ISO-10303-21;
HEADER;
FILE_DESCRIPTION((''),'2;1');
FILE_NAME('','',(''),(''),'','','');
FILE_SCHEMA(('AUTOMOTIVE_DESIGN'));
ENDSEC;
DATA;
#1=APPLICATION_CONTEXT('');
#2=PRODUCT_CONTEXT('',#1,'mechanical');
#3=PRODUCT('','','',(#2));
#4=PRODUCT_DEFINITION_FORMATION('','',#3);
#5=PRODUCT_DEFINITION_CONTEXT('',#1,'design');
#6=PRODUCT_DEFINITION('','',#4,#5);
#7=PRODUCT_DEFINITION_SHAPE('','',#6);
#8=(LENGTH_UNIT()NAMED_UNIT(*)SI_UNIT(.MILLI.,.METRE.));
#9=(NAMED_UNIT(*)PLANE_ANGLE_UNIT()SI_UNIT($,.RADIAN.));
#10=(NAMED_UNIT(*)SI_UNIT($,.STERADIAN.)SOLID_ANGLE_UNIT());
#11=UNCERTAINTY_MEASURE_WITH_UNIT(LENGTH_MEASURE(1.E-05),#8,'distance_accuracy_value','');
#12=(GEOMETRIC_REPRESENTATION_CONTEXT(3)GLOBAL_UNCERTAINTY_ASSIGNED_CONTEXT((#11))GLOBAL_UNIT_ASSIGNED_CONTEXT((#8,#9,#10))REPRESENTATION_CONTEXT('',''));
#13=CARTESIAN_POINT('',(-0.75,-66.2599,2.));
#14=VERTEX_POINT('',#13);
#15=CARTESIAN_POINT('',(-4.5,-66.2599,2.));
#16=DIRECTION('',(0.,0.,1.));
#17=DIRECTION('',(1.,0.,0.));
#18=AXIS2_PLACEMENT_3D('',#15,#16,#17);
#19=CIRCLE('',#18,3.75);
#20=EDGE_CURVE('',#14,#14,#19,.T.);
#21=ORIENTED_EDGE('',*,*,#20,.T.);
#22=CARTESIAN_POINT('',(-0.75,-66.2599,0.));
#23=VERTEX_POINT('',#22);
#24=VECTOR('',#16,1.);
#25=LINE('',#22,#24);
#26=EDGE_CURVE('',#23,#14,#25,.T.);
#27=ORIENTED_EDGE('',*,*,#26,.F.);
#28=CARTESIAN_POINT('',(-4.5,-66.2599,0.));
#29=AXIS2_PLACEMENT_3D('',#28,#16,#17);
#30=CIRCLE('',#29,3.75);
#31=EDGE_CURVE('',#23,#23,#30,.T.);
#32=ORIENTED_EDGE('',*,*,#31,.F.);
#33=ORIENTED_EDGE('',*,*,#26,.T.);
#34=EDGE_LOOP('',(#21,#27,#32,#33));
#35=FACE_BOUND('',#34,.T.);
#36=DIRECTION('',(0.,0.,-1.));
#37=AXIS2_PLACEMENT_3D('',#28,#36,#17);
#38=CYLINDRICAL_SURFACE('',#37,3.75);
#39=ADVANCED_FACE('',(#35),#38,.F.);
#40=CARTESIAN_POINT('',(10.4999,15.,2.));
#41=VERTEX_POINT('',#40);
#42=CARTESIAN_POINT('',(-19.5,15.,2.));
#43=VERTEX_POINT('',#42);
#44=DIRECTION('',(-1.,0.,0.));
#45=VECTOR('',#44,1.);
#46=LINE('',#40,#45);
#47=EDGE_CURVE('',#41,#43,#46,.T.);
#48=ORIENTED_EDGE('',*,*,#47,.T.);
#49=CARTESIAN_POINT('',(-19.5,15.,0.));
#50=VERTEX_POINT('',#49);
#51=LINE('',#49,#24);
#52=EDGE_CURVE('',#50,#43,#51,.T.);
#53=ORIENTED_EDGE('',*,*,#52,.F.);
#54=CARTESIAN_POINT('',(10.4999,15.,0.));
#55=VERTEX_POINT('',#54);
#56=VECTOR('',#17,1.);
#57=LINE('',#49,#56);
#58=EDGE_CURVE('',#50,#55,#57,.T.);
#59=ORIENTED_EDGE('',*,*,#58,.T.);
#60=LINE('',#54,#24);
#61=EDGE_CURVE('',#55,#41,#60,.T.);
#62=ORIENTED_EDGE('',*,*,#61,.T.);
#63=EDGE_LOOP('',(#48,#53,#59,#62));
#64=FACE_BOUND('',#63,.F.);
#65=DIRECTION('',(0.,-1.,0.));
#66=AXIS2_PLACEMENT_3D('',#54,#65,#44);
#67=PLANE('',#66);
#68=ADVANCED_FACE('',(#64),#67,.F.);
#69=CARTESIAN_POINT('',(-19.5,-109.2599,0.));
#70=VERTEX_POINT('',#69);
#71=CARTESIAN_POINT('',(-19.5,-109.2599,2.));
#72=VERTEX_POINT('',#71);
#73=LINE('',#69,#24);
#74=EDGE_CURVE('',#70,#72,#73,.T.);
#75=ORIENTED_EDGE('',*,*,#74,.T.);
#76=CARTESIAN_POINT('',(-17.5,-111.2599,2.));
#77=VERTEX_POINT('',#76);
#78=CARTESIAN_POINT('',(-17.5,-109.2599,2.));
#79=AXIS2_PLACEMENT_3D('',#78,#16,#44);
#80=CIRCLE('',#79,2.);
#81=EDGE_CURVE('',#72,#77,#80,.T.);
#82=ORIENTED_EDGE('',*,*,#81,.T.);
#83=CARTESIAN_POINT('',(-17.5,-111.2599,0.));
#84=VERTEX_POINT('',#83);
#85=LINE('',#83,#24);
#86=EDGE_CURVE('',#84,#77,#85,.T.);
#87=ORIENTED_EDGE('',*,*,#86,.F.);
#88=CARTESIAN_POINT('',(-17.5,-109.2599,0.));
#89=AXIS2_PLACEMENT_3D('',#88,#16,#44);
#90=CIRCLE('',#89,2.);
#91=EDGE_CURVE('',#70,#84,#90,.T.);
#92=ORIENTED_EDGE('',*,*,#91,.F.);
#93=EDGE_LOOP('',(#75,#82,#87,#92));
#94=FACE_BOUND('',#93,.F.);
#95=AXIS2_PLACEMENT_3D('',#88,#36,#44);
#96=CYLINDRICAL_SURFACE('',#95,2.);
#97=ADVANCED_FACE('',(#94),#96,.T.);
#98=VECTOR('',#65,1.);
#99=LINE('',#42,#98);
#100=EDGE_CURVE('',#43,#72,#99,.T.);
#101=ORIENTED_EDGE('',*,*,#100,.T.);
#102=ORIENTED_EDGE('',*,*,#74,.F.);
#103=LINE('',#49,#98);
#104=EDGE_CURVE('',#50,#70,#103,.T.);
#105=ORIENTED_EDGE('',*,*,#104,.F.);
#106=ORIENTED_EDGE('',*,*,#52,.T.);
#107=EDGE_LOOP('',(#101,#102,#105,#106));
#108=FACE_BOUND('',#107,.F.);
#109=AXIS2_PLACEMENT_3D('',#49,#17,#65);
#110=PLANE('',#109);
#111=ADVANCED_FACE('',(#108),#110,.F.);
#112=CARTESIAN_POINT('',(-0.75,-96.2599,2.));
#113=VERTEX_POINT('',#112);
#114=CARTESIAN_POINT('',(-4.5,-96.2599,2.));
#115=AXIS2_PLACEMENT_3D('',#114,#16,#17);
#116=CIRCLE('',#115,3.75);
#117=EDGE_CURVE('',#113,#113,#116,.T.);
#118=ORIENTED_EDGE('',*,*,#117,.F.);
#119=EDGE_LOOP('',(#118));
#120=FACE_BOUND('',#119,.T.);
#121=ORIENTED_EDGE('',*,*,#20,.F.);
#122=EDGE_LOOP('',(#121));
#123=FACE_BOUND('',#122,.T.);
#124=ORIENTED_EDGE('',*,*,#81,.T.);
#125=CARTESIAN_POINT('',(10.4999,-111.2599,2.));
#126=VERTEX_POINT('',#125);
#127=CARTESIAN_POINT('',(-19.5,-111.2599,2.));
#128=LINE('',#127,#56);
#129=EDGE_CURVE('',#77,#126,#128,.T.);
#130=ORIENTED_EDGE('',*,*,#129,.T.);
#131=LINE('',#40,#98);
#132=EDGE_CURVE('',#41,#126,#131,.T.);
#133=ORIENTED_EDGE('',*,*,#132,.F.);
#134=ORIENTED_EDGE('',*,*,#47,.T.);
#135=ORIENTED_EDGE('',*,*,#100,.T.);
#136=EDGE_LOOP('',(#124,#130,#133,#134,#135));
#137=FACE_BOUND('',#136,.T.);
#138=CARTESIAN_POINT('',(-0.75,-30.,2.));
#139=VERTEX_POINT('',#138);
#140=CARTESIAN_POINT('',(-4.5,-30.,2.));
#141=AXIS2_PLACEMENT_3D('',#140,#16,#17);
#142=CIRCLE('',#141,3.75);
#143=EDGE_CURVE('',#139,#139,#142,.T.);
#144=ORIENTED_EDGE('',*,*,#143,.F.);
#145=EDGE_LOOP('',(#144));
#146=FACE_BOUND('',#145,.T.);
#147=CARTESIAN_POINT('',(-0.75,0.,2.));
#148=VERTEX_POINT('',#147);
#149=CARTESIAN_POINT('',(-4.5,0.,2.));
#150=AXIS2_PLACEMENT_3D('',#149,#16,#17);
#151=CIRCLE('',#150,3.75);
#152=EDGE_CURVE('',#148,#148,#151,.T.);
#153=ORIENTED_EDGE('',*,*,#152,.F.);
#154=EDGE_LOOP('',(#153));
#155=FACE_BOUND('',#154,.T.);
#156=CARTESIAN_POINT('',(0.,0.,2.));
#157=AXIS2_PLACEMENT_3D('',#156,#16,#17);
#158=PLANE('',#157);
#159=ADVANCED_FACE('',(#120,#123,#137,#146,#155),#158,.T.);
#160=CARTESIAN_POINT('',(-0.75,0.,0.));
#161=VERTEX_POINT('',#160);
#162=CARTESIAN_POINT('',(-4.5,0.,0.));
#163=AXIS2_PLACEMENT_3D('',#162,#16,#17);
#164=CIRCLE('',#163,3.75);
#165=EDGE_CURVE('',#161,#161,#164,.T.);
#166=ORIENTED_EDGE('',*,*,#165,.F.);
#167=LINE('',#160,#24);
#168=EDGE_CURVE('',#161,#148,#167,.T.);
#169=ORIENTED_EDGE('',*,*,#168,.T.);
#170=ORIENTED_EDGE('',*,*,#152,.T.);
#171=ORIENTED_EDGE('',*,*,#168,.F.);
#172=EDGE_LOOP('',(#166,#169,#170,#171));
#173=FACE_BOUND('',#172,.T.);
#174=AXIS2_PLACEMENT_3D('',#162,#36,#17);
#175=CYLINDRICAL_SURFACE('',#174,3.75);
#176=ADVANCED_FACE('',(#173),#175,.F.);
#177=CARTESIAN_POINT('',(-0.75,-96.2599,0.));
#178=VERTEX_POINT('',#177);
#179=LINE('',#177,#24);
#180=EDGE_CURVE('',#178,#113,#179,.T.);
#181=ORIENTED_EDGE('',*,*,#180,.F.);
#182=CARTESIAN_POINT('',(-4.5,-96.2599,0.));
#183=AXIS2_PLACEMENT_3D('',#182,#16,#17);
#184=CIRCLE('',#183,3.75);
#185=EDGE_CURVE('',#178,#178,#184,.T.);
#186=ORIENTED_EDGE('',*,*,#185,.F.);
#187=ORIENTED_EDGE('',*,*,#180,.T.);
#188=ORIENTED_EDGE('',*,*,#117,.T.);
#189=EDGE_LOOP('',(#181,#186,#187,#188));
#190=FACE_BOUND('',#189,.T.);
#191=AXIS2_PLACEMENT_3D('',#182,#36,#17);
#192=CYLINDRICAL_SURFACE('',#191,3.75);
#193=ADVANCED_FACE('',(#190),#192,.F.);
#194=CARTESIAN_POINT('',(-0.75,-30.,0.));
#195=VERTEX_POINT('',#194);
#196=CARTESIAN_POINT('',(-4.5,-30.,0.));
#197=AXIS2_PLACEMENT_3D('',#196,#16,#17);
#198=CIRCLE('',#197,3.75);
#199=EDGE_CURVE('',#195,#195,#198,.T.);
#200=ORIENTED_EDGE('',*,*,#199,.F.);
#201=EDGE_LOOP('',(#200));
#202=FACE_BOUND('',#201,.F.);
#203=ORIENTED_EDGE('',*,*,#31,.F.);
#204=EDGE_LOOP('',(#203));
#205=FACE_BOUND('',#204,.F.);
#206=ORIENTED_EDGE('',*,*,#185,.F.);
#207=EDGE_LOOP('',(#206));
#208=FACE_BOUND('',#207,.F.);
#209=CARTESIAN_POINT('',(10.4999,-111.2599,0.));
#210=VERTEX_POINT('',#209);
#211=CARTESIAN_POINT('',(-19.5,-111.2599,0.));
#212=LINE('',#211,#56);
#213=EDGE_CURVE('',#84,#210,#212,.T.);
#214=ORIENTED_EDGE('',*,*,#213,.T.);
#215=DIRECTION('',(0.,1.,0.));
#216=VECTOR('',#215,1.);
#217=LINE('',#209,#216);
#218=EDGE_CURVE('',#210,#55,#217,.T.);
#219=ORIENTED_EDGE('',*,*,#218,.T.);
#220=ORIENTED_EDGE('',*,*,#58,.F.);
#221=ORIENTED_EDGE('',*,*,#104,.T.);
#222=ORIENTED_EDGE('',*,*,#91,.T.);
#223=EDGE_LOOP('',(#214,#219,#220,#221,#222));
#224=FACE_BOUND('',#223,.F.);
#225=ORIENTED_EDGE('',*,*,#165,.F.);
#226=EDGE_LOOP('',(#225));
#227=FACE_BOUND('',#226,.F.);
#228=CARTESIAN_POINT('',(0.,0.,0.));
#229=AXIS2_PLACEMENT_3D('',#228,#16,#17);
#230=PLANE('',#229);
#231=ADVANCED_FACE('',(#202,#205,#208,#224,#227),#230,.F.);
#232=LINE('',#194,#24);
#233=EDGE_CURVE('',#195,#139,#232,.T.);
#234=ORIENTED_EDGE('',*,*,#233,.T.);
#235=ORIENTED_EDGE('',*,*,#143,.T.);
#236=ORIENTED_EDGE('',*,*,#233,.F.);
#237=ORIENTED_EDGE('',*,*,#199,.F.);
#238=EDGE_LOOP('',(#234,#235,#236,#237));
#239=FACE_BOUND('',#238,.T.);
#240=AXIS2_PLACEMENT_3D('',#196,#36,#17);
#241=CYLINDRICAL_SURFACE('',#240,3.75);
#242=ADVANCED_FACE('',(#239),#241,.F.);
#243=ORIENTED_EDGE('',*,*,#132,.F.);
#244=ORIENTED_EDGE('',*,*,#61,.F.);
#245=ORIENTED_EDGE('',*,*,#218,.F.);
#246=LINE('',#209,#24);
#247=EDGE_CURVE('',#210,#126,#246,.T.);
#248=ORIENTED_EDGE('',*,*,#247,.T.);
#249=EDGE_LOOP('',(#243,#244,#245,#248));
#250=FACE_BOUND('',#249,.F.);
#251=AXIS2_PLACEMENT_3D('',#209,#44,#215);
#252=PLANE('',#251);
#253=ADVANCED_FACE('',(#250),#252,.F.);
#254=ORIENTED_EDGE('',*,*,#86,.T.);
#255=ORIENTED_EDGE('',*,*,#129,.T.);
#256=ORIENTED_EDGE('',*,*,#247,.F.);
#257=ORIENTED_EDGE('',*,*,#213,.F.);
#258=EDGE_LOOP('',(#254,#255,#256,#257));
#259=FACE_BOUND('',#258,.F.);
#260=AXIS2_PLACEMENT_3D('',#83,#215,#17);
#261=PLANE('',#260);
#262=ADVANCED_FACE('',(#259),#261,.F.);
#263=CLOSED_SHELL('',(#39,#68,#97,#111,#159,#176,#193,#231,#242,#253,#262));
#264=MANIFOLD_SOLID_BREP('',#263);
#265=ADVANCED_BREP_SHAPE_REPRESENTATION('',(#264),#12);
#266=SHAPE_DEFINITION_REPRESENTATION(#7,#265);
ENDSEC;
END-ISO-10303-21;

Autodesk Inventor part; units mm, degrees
ref_plane "YZ Plane" through (0, 0, 0) normal (1, 0, 0) x (0, 1, 0)
ref_plane "XZ Plane" through (0, 0, 0) normal (0, 1, 0) x (-1, 0, 0)
ref_plane "XY Plane" through (0, 0, 0) normal (0, 0, 1) x (1, 0, 0)
sketch "Sketch1" plane through (0, 0, 0) normal (0, 0, 1) x (1, 0, 0)
  arc A0 (10.4999, 13) -> (8.4999, 15) centre (8.4999, 13) ccw
  arc A1 (-19.5, -109.2599) -> (-17.5, -111.2599) centre (-17.5, -109.2599) ccw
  line L0 (10.4999, 15) -> (-19.5, 15)
  line L1 (-19.5, 15) -> (-19.5, -111.2599)
  line L2 (-19.5, -111.2599) -> (10.4999, -111.2599)
  line L3 (10.4999, -111.2599) -> (10.4999, 15)
  line L4 (-4.5, -111.2599) -> (-4.5, 15) construction
  circle A2 centre (-4.5, 0) radius 3.75
  circle A3 centre (-4.5, -30) radius 3.75
  circle A4 centre (-4.5, -66.2599) radius 3.75
  circle A5 centre (-4.5, -96.2599) radius 3.75
  point P0 (0, 0)
  dimension "d0" = 29.9999
  dimension "d1" = 126.2599
  dimension "d2" = 7.5
  dimension "d3" = 15
  dimension "d4" = 15
  dimension "d5" = 30
  dimension "d6" = 30
extrude "Plate1" add sketch "Sketch1" along normal blind 2 contours L3 L2 A1 L1 L0 A0 | A0 L0 L3
equation "\"d4\" = d3"
equation "\"d6\" = d5"
equation "\"BendRadius\" = Thickness"
equation "\"BendReliefWidth\" = Thickness"
equation "\"BendReliefDepth\" = 0.5 * Thickness"
equation "\"CornerReliefSize\" = 4 * Thickness"
equation "\"MinimumRemnant\" = 2 * Thickness"
equation "\"TransitionRadius\" = BendRadius"
equation "\"JacobiRadiusSize\" = BendRadius"
equation "\"GapSize\" = Thickness"
equation "\"d7\" = BendRadius"
equation "\"Thickness\" = 2"
properties part number "gabarito-suporte-motor-lateral" material "Wood (Oak)"
